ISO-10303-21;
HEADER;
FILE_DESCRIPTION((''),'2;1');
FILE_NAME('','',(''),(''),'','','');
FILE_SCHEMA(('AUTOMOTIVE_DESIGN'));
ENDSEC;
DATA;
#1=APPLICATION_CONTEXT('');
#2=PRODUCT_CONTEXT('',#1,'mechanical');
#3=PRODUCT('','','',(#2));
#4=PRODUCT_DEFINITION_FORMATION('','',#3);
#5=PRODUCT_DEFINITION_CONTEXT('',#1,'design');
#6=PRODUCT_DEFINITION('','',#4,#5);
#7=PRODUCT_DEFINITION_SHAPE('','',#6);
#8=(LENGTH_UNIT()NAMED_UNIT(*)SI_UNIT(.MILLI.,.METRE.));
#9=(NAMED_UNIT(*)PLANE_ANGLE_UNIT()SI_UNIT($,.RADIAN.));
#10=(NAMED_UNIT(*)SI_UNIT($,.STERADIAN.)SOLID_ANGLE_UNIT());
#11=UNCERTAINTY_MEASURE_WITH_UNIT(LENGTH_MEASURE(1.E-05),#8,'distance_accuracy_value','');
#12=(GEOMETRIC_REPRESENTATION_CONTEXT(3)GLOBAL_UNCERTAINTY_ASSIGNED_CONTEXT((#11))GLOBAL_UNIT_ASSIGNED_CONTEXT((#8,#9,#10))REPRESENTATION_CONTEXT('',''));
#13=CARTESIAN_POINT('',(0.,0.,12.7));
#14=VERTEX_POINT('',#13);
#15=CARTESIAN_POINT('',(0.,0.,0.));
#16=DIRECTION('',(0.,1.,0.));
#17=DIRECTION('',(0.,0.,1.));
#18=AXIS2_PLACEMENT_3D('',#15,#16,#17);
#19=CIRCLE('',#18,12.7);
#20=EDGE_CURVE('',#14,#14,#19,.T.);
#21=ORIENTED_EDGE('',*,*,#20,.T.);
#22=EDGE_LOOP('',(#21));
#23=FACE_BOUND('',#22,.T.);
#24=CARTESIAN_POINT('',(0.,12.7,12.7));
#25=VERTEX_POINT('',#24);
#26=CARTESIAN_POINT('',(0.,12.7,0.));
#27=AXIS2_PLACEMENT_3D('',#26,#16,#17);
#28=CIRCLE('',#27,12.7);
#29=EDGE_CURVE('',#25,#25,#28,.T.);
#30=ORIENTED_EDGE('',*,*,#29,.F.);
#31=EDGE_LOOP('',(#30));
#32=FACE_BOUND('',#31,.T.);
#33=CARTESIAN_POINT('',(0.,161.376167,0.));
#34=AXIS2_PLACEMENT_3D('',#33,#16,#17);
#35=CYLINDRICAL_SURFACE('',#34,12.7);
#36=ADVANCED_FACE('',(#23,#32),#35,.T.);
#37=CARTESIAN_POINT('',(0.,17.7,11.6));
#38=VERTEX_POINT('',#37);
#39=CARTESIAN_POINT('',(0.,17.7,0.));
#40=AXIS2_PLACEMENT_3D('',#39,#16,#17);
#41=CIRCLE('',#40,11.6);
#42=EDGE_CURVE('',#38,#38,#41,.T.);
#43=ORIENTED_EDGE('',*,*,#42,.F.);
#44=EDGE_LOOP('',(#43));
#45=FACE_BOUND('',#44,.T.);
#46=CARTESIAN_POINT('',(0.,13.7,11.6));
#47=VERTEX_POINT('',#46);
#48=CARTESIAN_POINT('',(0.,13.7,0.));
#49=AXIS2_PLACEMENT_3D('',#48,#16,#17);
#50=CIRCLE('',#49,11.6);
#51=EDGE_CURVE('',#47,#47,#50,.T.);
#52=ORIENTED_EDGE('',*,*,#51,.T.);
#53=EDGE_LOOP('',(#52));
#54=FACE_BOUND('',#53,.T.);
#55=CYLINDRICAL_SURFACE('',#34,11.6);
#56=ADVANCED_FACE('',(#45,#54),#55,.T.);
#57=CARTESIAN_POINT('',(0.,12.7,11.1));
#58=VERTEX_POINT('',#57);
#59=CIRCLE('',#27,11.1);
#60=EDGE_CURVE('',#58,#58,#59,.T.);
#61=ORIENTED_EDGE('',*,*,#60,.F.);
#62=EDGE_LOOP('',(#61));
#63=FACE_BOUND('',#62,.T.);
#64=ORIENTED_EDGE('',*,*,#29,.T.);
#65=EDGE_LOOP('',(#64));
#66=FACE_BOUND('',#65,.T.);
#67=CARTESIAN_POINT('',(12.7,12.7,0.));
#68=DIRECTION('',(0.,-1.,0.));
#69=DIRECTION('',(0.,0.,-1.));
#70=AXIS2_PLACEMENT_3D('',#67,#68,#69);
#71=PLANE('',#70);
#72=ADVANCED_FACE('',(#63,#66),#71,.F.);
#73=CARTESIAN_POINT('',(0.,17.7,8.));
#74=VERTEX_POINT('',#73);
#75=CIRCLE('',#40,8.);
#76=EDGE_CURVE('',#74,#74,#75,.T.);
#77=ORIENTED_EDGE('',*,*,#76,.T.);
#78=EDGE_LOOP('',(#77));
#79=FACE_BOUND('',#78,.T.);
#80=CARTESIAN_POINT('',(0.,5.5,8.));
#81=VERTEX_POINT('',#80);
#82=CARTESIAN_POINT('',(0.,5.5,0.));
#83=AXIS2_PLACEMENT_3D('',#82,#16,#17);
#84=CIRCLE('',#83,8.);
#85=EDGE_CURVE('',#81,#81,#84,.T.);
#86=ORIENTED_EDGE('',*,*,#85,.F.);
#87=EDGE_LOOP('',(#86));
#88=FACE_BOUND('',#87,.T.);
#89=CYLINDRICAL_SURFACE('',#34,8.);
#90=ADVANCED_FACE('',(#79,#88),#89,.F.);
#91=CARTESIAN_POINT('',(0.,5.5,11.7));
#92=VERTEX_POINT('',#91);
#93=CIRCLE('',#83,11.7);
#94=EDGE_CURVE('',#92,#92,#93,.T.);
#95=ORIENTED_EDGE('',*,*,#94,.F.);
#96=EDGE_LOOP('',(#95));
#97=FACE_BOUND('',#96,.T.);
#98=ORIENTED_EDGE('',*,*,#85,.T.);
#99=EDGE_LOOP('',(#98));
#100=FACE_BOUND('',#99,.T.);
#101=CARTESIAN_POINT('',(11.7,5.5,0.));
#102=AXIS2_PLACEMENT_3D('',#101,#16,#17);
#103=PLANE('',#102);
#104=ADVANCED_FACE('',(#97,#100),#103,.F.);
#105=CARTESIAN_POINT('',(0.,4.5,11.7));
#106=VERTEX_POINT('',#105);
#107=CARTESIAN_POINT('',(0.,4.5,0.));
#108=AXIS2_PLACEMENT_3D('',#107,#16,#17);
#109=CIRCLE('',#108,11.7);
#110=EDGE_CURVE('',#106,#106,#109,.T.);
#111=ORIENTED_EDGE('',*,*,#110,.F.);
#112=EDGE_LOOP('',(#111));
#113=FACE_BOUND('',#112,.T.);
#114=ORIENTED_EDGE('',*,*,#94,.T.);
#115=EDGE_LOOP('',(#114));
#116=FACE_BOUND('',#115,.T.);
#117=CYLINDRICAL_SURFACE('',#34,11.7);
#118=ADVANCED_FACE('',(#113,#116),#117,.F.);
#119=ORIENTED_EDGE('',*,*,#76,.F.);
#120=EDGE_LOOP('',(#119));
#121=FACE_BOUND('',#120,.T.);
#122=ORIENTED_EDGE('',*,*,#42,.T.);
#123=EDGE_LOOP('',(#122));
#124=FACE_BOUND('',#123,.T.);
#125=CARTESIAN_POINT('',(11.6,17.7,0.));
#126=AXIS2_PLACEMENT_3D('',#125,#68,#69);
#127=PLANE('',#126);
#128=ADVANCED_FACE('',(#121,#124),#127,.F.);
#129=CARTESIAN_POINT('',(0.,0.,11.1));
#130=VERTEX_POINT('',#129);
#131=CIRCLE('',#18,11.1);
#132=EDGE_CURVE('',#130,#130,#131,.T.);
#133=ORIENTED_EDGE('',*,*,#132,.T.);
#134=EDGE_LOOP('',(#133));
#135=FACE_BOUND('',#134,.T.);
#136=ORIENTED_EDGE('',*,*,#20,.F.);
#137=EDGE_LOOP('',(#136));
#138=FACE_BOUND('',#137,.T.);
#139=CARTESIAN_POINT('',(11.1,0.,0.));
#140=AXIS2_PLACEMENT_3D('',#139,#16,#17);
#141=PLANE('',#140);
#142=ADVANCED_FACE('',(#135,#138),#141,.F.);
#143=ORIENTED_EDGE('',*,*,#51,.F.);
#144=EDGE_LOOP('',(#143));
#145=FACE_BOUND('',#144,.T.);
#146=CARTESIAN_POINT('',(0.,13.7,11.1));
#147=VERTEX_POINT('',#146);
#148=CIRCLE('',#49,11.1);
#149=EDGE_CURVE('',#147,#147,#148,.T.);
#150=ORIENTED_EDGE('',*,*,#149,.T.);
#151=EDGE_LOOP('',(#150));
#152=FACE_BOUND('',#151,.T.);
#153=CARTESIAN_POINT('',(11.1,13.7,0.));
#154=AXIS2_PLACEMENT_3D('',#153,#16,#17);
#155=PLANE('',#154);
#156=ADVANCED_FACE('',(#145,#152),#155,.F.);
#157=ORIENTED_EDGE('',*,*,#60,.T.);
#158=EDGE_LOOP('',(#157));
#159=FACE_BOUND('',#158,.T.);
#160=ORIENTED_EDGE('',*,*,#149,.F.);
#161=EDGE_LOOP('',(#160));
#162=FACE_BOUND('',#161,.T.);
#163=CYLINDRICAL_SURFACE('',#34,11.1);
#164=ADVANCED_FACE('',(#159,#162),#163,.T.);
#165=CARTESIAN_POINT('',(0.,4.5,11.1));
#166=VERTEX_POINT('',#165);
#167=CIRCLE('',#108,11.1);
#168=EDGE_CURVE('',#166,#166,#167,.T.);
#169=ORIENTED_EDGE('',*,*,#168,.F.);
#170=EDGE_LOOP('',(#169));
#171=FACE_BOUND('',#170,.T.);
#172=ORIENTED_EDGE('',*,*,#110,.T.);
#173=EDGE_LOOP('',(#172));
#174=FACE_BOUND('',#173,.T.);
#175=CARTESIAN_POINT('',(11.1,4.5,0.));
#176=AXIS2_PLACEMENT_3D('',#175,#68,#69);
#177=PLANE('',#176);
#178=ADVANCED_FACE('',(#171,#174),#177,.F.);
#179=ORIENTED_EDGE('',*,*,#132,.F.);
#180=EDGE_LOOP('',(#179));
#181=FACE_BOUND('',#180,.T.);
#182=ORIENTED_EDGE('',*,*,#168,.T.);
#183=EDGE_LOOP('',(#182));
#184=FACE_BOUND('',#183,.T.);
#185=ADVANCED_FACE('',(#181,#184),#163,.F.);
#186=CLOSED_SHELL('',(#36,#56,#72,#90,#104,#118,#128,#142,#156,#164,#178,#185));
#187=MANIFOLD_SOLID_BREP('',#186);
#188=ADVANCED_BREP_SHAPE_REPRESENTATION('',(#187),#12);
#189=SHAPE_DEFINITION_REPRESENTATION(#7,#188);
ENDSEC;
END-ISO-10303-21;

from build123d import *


with BuildPart() as part:
    # 草图1 → 旋转1 (revolve)
    with BuildSketch(Plane.XY, mode=Mode.PRIVATE) as revolve_1_sk:
        Polygon((11.1, 0), (11.1, 4.5), (11.7, 4.5), (11.7, 5.5), (8, 5.5), (8, 17.7), (11.6, 17.7), (11.6, 13.7), (11.1, 13.7), (11.1, 12.7), (12.7, 12.7), (12.7, 0), align=None)
    revolve(revolve_1_sk.sketch.rotate(Axis((0, 161.376166943, 0), (0, -1, 0)), 90), axis=Axis((0, 161.376166943, 0), (0, -1, 0)))  # turned: the seam where the file's is


solid = part.part
